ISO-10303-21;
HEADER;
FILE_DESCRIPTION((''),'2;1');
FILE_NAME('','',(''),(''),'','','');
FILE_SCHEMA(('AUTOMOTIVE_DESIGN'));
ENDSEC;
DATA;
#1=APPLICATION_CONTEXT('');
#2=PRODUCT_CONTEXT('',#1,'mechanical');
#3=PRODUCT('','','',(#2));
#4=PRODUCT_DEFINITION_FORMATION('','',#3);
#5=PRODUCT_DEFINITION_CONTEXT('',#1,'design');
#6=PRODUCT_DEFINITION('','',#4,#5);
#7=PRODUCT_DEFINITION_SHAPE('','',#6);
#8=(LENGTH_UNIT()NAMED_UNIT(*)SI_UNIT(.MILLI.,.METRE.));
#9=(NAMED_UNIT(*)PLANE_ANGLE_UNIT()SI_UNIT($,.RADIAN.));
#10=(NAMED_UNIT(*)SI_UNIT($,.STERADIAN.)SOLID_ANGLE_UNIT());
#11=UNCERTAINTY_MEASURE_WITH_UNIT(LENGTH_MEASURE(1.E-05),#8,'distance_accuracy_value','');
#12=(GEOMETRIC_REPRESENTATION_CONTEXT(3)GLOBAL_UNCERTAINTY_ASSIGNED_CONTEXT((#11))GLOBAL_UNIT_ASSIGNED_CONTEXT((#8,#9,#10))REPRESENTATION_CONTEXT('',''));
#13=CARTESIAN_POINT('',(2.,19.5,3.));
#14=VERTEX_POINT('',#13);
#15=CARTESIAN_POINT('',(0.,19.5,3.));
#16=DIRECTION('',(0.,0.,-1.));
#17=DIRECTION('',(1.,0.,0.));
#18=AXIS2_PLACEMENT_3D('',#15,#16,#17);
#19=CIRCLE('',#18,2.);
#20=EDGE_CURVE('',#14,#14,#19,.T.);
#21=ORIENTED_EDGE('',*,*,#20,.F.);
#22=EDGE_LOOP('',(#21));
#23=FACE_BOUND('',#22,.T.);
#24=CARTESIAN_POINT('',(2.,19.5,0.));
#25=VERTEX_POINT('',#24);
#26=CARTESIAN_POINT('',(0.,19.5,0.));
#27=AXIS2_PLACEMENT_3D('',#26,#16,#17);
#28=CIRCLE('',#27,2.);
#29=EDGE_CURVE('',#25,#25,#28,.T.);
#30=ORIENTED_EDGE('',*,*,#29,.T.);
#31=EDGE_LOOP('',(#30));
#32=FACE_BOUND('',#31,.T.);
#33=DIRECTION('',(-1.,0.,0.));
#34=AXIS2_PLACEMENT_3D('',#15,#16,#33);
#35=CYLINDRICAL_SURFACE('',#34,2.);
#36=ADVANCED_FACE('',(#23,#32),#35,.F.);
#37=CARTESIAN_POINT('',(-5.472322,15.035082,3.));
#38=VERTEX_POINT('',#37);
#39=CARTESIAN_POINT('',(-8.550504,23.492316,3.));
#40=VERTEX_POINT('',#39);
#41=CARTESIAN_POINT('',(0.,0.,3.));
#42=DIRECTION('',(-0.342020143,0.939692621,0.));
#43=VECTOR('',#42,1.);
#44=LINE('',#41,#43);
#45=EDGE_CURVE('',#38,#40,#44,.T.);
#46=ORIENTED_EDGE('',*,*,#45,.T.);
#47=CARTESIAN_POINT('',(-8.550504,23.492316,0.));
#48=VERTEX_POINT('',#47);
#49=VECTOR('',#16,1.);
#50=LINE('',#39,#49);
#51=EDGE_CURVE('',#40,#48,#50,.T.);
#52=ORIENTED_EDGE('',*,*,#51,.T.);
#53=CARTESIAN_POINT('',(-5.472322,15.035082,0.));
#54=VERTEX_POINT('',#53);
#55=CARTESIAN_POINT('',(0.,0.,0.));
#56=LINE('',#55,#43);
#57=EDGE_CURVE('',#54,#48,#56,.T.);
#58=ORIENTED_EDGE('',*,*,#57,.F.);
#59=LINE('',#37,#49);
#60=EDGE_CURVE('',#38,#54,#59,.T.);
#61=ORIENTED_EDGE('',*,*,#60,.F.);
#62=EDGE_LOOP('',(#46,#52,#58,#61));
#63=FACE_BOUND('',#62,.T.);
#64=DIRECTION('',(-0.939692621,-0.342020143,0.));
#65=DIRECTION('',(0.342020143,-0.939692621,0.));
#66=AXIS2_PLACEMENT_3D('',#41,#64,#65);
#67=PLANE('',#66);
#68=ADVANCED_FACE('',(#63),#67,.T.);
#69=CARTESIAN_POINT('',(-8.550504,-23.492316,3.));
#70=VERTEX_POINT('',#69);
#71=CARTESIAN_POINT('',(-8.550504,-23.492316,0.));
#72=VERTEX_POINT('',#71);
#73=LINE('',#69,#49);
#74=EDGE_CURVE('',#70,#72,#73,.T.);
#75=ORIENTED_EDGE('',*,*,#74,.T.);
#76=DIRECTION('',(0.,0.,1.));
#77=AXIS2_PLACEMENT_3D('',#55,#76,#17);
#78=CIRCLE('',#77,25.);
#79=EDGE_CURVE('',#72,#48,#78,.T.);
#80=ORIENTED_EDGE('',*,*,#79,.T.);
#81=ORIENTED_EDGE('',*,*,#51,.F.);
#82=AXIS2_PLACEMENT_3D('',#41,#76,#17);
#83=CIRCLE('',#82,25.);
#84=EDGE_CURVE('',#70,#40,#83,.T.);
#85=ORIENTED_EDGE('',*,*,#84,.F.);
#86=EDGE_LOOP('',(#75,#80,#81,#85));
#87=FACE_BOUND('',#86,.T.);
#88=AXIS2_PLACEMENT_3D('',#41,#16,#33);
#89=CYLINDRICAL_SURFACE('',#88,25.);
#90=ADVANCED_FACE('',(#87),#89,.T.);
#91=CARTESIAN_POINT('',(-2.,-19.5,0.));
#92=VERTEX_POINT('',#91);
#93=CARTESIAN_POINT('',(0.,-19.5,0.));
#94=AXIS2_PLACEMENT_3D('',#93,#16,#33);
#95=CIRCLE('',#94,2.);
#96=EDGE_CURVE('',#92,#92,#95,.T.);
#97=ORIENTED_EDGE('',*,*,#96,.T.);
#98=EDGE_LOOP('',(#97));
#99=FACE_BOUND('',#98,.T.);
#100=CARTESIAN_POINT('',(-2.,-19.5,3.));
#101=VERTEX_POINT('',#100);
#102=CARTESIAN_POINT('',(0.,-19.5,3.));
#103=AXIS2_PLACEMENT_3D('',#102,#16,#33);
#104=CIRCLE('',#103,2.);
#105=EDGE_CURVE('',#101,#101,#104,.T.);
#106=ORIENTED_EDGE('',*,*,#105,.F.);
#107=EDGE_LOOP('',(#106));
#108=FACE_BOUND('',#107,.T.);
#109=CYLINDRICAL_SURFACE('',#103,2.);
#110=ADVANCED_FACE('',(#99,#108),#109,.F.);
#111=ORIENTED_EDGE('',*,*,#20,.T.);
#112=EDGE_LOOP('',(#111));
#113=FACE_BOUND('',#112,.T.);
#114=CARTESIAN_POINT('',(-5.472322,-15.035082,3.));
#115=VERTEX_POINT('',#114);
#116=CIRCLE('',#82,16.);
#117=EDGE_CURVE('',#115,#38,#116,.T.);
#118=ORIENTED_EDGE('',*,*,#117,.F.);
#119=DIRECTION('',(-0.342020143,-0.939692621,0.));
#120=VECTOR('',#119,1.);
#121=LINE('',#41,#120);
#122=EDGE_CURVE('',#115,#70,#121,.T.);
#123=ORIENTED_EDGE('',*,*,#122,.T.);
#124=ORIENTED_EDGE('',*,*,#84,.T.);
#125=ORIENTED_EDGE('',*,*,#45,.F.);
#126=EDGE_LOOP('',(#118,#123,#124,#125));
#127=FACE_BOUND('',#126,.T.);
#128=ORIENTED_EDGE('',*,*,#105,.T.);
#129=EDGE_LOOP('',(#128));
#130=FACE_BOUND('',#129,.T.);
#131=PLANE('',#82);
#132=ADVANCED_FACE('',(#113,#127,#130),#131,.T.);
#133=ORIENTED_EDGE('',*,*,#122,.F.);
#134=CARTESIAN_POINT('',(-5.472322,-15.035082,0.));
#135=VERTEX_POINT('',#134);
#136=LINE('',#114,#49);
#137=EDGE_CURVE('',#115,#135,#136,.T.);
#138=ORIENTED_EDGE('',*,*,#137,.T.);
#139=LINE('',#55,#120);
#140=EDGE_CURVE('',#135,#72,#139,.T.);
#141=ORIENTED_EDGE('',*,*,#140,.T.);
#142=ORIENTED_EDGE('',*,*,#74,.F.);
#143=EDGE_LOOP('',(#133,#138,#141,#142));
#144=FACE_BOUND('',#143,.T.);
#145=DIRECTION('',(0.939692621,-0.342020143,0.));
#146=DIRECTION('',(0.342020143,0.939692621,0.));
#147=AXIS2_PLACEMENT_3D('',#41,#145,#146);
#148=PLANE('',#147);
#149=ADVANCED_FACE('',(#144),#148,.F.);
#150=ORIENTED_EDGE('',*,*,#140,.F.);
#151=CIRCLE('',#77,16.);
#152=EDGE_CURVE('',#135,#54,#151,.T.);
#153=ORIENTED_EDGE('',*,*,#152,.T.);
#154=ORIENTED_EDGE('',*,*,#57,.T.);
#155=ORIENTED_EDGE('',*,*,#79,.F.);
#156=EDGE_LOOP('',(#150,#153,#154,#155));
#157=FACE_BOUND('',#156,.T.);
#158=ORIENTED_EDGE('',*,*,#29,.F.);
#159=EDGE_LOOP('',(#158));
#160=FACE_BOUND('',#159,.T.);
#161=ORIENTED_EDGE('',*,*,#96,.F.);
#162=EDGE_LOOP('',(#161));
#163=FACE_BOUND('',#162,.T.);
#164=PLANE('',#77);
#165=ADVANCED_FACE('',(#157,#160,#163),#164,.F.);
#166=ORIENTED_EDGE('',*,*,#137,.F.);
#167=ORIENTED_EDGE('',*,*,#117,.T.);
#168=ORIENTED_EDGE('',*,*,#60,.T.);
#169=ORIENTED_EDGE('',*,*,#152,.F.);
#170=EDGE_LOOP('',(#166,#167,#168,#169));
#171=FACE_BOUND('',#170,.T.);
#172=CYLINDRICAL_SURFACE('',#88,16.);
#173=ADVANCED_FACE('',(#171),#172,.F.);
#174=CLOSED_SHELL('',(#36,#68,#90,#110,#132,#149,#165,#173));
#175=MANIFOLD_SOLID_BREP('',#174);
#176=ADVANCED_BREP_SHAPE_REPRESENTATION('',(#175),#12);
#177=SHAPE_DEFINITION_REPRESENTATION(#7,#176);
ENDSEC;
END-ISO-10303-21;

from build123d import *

# Parameters (mm, degrees)
SALIENTE_EXTRUIR1_DEPTH = 3
CROQUIS2_R              = 2
CORTAR_EXTRUIR1_DEPTH   = 3


with BuildPart() as part:
    # Croquis1 → Saliente-Extruir1 (new body)
    with BuildSketch(Plane.XY):
        with BuildLine():
            ThreePointArc((16, 0), (9.177222982, -13.106432709), (-5.472322293, -15.035081933))
            Line((-5.472322293, -15.035081933), (-8.550503583, -23.49231552))
            ThreePointArc((-8.550503583, -23.49231552), (14.339410909, -20.478801107), (25, 0))
            ThreePointArc((25, 0), (14.339410909, 20.478801107), (-8.550503583, 23.49231552))
            Line((-8.550503583, 23.49231552), (-5.472322293, 15.035081933))
            ThreePointArc((-5.472322293, 15.035081933), (9.177222982, 13.106432709), (16, 0))
        make_face()
    extrude(amount=SALIENTE_EXTRUIR1_DEPTH)

    # Croquis2 → Cortar-Extruir1 (cut)
    with BuildSketch(Plane(origin=(0, 0, 0), x_dir=(-1, 0, 0), z_dir=(0, 0, -1))):
        with Locations((0, -19.5)):
            Circle(CROQUIS2_R)
        with Locations(Location((0, 19.5, 0), (0, 0, 180))):
            Circle(CROQUIS2_R)
    extrude(amount=-CORTAR_EXTRUIR1_DEPTH, mode=Mode.SUBTRACT)


solid = part.part
